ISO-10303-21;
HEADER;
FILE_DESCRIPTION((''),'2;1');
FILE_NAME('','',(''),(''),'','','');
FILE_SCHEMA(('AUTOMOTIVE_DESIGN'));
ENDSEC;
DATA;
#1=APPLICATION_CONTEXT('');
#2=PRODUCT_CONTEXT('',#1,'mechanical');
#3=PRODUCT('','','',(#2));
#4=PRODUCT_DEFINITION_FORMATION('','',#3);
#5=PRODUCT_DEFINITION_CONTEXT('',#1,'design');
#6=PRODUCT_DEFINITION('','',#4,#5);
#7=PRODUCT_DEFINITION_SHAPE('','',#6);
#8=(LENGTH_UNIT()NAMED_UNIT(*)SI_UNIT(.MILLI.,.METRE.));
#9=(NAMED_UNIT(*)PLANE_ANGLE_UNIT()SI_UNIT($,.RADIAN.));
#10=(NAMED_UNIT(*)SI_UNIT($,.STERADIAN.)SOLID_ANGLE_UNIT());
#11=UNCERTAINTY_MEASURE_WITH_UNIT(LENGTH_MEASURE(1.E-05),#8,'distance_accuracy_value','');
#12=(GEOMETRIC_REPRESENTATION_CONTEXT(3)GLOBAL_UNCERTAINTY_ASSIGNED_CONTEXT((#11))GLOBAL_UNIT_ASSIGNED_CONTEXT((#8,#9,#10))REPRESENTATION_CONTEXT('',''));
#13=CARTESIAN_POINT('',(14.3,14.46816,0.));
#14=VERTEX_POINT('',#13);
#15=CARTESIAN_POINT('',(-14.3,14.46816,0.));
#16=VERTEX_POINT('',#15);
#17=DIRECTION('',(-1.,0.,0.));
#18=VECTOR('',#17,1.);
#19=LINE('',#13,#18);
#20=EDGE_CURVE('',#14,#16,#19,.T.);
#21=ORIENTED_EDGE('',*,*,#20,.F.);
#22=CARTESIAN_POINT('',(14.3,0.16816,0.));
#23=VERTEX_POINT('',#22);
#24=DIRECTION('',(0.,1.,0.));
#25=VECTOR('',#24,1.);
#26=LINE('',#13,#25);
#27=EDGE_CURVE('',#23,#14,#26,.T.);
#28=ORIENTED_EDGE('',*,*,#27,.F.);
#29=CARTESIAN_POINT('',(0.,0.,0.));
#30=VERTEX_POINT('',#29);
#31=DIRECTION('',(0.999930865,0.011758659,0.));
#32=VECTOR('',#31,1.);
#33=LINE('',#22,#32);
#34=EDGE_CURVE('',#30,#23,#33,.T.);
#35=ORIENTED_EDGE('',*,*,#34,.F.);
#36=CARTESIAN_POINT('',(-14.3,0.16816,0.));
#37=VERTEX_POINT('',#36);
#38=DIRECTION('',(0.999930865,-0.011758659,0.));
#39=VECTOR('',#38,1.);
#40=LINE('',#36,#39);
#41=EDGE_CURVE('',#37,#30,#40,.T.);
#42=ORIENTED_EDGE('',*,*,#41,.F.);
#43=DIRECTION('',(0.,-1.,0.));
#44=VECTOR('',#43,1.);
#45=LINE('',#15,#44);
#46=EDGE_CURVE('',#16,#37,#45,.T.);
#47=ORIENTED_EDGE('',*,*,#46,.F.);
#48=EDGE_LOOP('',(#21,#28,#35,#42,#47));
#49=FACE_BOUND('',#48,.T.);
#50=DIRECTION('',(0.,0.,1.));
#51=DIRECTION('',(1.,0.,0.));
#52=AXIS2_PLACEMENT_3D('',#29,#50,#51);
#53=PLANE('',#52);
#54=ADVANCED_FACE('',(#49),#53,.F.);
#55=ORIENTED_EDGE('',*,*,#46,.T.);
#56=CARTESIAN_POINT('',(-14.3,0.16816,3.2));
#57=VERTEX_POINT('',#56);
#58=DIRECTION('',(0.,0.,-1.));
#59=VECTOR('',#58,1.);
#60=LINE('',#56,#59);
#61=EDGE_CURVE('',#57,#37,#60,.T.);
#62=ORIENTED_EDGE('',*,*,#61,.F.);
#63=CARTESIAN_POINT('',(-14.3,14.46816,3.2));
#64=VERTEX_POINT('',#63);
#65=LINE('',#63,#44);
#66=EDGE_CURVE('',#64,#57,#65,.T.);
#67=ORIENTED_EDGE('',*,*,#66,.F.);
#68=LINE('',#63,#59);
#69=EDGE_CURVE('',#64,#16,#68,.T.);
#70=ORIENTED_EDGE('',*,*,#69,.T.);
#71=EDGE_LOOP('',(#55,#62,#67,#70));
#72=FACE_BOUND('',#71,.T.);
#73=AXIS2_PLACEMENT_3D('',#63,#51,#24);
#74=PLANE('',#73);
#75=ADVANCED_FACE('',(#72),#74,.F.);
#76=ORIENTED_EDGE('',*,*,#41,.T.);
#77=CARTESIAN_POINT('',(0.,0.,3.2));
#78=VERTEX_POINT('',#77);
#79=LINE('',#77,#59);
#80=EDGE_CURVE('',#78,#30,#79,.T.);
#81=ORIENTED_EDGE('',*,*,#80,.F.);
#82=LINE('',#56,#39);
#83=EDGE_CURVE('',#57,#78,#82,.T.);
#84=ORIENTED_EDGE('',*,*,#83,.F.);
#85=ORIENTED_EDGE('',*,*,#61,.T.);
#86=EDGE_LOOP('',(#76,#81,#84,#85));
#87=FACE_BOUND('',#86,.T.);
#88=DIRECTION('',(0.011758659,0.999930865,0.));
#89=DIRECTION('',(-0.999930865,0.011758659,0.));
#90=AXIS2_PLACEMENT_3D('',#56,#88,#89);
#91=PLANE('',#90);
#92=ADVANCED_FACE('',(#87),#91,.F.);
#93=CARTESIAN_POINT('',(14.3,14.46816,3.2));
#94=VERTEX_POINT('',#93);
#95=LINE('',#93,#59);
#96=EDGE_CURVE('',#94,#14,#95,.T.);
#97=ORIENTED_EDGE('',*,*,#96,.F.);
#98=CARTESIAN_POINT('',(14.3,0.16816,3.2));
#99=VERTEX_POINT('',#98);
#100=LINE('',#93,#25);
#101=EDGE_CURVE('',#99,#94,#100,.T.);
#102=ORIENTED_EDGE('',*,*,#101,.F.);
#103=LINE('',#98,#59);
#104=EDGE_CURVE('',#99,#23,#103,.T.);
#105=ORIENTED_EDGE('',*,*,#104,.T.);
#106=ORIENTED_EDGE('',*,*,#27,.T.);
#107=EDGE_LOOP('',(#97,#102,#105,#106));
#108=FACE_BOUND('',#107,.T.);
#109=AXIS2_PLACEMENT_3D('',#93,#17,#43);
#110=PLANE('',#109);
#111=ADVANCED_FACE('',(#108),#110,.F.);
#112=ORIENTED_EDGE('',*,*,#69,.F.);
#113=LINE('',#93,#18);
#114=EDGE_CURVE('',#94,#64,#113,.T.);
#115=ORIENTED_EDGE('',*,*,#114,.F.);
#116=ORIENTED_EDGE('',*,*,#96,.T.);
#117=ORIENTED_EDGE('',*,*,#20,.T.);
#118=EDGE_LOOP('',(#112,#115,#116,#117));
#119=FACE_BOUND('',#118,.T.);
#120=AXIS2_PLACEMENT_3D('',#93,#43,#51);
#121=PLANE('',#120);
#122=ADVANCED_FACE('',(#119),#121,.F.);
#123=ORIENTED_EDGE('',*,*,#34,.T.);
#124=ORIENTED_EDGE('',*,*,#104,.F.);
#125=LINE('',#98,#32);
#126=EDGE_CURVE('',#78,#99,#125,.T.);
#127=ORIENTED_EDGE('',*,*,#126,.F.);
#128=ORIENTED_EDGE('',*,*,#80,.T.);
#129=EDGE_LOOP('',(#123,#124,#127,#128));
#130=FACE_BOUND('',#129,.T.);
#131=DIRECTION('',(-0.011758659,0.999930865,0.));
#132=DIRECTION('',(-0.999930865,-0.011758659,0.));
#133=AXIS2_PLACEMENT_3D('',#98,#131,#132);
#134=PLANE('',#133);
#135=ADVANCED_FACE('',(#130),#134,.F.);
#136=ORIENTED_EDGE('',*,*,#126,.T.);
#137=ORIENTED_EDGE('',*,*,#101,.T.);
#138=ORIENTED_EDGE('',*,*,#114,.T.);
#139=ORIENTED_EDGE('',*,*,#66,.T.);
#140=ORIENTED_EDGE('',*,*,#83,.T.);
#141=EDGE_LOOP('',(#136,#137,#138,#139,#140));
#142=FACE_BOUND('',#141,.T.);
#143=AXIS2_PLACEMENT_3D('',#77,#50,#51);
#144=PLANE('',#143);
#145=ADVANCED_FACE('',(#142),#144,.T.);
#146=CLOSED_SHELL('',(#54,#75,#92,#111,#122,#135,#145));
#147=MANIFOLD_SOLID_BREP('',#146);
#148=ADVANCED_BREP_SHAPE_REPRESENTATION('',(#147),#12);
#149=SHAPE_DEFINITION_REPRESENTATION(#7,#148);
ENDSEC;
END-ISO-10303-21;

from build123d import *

# Parameters (mm, degrees)
EXTRUDE_1_DEPTH = 3.2


with BuildPart() as part:
    # 草图1 → 凸台-拉伸1 (new body)
    with BuildSketch(Plane.XY):
        Polygon((14.3, 14.468160442), (-14.3, 14.468160442), (-14.3, 0.168160442), (0, 0), (14.3, 0.168160442), align=None)
    extrude(amount=EXTRUDE_1_DEPTH)


solid = part.part
